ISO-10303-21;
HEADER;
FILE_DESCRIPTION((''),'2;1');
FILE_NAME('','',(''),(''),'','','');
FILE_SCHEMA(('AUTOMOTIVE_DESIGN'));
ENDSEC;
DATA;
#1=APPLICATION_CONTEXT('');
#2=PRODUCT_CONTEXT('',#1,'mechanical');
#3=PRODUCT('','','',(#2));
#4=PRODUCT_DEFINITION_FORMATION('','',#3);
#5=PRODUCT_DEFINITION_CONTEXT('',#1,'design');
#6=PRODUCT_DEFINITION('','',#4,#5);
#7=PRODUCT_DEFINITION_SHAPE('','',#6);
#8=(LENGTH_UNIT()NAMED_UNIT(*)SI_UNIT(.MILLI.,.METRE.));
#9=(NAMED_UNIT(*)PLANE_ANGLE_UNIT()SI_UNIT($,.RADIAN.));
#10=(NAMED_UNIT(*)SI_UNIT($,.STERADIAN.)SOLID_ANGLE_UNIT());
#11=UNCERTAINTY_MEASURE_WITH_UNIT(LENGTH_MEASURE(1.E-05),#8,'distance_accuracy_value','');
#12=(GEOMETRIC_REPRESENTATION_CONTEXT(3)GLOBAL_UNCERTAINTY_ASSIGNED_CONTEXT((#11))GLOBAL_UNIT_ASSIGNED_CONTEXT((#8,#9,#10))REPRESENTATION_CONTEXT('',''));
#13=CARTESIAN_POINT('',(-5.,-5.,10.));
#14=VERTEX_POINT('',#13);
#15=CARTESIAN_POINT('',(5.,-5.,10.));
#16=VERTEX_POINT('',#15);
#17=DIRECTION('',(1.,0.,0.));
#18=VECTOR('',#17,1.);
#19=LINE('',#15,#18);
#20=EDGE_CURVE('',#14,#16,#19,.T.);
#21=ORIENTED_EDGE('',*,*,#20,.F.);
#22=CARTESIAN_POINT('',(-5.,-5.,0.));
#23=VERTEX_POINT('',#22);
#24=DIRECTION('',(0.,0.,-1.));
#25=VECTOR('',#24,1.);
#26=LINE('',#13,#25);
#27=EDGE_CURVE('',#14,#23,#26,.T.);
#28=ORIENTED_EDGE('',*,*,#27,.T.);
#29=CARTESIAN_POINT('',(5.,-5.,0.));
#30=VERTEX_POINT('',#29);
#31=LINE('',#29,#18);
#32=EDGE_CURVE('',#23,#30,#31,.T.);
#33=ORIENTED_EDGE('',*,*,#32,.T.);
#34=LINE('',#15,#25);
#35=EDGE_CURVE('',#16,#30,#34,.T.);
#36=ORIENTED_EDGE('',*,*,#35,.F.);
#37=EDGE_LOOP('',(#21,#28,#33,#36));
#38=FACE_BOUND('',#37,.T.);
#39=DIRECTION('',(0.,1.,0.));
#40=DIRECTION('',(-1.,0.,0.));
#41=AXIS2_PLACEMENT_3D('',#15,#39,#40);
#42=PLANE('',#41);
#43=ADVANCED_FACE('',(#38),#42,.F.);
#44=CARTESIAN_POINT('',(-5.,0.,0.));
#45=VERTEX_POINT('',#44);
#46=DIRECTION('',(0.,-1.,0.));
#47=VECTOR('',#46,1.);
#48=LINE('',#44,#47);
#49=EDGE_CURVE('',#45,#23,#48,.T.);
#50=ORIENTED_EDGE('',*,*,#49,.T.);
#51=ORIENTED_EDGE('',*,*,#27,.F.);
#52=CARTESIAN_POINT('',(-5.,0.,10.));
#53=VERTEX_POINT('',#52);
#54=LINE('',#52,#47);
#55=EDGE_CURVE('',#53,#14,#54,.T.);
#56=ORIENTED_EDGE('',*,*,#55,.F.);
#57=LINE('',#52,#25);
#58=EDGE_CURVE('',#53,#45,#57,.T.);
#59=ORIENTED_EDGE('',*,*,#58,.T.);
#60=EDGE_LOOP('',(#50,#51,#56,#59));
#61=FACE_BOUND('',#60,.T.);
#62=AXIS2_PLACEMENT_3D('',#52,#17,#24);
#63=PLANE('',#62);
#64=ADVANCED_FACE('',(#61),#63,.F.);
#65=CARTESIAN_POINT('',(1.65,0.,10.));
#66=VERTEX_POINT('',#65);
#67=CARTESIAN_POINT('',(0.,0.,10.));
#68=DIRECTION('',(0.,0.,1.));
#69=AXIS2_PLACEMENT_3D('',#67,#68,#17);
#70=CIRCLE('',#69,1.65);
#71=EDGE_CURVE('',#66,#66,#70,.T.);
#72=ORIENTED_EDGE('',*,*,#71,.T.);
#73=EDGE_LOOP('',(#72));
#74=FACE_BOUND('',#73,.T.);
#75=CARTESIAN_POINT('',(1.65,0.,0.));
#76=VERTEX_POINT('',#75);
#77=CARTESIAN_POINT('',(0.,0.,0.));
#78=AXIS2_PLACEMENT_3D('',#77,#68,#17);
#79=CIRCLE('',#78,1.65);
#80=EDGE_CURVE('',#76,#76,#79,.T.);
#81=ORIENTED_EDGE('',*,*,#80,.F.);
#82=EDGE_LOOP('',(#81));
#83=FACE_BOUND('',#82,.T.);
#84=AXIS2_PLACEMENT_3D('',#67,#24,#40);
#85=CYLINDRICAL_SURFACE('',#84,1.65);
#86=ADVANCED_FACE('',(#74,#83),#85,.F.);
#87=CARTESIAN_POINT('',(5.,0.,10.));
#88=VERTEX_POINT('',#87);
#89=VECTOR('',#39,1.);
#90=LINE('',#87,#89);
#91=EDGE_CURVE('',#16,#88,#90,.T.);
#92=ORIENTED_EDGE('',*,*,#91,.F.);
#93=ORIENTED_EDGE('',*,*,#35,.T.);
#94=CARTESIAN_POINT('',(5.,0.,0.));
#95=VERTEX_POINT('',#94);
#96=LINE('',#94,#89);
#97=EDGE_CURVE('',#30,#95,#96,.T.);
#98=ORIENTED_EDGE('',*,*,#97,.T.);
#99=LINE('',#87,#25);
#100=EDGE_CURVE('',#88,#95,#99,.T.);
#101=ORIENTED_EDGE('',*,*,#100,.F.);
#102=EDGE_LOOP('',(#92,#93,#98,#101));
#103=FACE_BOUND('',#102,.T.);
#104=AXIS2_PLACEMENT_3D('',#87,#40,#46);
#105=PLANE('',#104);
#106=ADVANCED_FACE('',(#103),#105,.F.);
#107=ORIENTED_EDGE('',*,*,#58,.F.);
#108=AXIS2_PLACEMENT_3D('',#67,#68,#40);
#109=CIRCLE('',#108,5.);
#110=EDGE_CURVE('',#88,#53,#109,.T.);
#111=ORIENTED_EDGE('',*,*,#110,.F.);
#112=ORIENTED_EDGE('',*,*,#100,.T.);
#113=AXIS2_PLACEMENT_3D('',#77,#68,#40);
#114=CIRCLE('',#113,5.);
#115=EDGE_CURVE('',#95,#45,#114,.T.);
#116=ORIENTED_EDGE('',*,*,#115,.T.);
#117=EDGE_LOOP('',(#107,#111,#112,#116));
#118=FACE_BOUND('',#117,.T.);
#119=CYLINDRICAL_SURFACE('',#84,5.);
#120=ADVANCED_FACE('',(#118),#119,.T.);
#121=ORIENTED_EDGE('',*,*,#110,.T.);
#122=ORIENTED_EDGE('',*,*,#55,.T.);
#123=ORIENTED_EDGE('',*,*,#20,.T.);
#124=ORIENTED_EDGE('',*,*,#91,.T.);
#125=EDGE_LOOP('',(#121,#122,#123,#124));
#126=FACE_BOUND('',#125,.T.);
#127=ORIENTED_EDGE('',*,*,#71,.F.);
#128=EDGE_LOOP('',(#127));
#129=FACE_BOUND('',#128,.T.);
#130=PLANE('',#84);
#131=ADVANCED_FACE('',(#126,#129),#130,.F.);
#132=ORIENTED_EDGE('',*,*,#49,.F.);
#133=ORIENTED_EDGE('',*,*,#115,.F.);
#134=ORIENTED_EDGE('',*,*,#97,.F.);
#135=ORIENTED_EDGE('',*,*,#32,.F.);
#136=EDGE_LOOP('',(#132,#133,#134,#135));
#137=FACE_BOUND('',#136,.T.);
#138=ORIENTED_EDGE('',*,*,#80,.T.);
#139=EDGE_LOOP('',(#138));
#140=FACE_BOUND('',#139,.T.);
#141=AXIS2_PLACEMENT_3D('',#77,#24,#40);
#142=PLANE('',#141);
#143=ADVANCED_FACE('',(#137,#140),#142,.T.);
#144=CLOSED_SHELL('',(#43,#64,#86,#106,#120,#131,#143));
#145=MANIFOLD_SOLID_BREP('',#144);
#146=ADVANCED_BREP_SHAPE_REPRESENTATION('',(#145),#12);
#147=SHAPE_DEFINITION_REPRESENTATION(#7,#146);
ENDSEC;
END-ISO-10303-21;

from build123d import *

# Parameters (mm, degrees)
SKETCH1_R           = 1.65
BOSS_EXTRUDE1_DEPTH = 10


with BuildPart() as part:
    # Sketch1 → Boss-Extrude1 (new body)
    with BuildSketch(Plane.XY):
        with BuildLine():
            Line((5, 0), (5, -5))
            Line((5, -5), (-5, -5))
            Line((-5, -5), (-5, 0))
            ThreePointArc((-5, 0), (0, 5), (5, 0))
        make_face()
        Circle(SKETCH1_R, mode=Mode.SUBTRACT)
    extrude(amount=BOSS_EXTRUDE1_DEPTH)


solid = part.part
